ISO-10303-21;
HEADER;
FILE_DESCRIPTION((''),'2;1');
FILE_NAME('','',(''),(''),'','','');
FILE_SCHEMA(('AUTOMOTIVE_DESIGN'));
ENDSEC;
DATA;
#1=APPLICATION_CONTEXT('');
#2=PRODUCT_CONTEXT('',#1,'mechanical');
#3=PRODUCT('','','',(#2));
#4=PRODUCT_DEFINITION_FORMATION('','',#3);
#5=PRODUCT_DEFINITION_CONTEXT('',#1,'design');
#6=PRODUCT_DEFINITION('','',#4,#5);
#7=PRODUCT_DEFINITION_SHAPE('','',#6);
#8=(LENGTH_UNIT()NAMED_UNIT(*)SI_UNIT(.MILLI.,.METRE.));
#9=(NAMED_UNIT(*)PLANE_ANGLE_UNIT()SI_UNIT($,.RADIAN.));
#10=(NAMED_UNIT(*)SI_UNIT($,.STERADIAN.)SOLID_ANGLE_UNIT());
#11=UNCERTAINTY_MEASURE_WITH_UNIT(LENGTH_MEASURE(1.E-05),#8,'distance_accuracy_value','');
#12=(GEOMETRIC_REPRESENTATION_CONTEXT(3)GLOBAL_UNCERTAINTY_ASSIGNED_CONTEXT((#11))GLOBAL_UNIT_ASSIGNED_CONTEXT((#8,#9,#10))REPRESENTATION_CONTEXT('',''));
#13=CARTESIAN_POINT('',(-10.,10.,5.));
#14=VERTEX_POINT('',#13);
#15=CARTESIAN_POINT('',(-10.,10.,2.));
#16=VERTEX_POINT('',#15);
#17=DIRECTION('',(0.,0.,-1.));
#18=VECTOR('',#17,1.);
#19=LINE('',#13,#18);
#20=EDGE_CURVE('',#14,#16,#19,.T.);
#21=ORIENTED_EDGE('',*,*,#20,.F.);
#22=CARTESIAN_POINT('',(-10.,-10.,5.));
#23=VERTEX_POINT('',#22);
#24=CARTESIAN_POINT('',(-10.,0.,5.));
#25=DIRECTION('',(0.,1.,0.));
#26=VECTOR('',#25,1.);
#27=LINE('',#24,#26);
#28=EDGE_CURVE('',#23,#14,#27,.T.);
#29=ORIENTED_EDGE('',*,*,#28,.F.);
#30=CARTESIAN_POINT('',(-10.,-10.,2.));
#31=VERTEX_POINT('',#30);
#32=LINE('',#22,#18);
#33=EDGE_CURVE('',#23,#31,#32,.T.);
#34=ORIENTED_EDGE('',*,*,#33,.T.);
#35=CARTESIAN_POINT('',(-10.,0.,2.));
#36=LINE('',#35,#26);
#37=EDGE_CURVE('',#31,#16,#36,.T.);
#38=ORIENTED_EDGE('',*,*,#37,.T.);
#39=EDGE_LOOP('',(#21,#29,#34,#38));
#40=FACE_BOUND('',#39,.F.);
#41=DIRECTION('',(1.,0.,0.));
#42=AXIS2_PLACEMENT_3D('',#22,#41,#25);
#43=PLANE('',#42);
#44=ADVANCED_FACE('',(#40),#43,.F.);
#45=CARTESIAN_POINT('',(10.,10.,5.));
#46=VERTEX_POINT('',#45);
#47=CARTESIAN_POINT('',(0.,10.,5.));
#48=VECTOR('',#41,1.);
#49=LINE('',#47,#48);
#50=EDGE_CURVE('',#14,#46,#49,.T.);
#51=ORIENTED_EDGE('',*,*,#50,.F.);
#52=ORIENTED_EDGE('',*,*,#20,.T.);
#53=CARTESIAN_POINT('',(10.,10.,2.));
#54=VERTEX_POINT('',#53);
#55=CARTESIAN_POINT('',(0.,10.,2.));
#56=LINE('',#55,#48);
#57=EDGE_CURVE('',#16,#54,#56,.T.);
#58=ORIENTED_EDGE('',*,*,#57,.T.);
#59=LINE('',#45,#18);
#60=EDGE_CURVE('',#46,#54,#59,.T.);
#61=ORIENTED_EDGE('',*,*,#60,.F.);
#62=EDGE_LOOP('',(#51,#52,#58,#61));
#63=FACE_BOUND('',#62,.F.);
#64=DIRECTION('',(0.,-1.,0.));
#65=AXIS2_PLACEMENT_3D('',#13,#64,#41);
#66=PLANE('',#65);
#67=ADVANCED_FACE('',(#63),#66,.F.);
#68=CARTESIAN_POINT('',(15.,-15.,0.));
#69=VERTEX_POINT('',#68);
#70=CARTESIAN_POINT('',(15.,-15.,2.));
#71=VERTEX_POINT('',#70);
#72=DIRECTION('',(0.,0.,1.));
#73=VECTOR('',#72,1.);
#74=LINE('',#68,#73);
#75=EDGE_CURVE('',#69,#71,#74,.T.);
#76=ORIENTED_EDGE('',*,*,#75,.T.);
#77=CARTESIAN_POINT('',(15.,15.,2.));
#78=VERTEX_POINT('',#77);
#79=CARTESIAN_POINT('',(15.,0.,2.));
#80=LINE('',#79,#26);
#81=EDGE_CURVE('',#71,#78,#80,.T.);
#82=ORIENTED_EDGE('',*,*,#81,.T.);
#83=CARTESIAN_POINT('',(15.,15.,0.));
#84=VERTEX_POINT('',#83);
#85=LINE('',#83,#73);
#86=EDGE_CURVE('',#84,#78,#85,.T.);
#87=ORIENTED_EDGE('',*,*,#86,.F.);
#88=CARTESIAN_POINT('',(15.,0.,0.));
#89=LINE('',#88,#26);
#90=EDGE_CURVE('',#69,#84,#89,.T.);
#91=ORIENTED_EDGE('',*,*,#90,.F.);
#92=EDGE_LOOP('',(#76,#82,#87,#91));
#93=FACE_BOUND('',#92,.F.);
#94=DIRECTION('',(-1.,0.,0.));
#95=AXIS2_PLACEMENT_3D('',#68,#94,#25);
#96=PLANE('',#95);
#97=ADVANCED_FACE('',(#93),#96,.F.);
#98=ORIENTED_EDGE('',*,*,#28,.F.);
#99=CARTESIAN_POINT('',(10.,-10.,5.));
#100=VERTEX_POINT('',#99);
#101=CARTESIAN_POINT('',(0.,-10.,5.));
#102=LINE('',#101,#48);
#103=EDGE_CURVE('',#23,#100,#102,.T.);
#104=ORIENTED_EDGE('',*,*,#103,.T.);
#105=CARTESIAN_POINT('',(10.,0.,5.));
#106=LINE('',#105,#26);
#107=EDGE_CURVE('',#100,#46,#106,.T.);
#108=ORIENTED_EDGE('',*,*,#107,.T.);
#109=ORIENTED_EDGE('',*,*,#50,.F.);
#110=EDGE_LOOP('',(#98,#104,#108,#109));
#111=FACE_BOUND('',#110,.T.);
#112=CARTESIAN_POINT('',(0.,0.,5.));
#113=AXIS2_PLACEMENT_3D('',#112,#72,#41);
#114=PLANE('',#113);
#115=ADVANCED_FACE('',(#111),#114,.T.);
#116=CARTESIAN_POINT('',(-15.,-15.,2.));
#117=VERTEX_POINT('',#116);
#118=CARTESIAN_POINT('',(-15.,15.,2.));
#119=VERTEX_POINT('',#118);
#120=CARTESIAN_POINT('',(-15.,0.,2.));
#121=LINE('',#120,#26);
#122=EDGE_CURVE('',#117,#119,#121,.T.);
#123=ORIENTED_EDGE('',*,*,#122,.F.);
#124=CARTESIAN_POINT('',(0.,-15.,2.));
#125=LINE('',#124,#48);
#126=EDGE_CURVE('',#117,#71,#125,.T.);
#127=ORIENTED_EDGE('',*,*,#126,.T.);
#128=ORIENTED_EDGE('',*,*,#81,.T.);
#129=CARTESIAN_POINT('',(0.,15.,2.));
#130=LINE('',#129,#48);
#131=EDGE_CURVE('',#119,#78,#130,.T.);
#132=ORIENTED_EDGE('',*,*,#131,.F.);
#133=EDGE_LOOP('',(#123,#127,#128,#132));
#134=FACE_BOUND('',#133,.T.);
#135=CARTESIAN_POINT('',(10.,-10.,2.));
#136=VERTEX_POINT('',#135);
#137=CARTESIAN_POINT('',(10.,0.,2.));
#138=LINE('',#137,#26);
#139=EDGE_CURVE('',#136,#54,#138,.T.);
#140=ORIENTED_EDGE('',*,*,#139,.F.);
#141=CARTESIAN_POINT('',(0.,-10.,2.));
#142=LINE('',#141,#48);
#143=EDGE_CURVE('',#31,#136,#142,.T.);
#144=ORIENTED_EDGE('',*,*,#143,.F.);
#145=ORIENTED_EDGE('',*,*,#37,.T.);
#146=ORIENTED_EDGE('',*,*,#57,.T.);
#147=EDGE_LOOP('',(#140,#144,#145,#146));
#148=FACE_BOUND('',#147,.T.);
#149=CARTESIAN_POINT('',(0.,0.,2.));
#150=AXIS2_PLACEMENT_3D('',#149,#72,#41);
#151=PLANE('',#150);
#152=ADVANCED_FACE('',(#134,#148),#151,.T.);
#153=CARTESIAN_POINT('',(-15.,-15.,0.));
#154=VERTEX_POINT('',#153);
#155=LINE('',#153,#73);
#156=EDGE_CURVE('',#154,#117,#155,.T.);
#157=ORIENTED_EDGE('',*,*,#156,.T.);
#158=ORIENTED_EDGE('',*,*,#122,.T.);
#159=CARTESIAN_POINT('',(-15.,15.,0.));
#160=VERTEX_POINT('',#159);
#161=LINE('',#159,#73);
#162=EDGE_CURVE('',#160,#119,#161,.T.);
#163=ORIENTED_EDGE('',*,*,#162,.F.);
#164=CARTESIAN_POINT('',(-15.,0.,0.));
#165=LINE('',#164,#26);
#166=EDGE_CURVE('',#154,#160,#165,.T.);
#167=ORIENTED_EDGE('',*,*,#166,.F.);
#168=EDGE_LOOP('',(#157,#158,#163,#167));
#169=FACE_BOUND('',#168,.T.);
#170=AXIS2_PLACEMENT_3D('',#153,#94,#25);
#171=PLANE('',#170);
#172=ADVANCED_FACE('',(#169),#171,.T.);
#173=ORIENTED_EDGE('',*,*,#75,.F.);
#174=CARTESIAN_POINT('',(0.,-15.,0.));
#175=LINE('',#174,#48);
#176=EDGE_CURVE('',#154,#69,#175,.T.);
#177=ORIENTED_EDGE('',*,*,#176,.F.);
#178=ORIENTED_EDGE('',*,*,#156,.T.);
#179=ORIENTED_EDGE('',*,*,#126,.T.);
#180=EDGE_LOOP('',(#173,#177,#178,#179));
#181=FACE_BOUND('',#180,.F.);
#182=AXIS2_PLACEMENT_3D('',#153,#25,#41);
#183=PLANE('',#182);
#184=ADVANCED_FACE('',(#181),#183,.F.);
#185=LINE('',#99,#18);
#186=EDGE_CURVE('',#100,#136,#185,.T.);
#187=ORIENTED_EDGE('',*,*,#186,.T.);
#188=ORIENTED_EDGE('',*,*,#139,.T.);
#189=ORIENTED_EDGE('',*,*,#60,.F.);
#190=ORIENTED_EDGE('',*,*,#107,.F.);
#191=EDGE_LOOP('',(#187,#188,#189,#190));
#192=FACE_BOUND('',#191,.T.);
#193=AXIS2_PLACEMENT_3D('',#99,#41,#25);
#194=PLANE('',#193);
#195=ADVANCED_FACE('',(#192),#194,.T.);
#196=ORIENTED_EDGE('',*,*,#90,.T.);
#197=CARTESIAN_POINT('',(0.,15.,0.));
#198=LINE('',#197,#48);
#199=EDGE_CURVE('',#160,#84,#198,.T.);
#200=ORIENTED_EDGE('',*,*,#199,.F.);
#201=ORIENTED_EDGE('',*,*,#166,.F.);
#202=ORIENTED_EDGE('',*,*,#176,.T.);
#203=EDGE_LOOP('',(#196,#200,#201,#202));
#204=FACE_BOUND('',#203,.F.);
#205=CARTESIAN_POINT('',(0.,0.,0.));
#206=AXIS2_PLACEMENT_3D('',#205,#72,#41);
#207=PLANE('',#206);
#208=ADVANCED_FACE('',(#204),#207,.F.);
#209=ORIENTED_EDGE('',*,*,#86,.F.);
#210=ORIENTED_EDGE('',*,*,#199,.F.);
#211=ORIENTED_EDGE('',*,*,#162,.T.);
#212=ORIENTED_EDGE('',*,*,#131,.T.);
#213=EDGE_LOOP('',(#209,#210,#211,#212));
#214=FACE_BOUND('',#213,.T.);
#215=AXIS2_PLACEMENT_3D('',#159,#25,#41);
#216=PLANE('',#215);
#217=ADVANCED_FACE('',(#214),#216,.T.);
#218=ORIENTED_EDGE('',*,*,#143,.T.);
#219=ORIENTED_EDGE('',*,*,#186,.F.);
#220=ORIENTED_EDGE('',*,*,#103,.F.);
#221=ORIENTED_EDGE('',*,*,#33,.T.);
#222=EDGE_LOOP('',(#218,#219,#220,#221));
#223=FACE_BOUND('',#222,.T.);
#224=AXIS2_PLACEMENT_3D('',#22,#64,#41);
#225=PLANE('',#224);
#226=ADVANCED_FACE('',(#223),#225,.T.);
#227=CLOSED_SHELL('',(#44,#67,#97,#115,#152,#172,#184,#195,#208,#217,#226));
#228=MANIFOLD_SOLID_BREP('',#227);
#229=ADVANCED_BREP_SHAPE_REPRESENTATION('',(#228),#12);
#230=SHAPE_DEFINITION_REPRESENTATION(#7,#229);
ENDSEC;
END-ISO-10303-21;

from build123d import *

# Parameters (mm, degrees)
F0_W     = 30
F0_H     = 30
F1_DEPTH = 5
F2_W     = 30
F2_H     = 30
F2_W_2   = 20
F2_H_2   = 20
F3_DEPTH = 3


with BuildPart() as f1:
    # F0 (on Top) → F1 (new body)
    with BuildSketch(Plane.XY):
        Rectangle(F0_W, F0_H)
    extrude(amount=F1_DEPTH)

    # F2 (on face) → F3 (cut)
    with BuildSketch(Plane.XY.offset(5)):
        Rectangle(F2_W, F2_H)
        Rectangle(F2_W_2, F2_H_2, mode=Mode.SUBTRACT)
    extrude(amount=-F3_DEPTH, mode=Mode.SUBTRACT)


solid = f1.part
